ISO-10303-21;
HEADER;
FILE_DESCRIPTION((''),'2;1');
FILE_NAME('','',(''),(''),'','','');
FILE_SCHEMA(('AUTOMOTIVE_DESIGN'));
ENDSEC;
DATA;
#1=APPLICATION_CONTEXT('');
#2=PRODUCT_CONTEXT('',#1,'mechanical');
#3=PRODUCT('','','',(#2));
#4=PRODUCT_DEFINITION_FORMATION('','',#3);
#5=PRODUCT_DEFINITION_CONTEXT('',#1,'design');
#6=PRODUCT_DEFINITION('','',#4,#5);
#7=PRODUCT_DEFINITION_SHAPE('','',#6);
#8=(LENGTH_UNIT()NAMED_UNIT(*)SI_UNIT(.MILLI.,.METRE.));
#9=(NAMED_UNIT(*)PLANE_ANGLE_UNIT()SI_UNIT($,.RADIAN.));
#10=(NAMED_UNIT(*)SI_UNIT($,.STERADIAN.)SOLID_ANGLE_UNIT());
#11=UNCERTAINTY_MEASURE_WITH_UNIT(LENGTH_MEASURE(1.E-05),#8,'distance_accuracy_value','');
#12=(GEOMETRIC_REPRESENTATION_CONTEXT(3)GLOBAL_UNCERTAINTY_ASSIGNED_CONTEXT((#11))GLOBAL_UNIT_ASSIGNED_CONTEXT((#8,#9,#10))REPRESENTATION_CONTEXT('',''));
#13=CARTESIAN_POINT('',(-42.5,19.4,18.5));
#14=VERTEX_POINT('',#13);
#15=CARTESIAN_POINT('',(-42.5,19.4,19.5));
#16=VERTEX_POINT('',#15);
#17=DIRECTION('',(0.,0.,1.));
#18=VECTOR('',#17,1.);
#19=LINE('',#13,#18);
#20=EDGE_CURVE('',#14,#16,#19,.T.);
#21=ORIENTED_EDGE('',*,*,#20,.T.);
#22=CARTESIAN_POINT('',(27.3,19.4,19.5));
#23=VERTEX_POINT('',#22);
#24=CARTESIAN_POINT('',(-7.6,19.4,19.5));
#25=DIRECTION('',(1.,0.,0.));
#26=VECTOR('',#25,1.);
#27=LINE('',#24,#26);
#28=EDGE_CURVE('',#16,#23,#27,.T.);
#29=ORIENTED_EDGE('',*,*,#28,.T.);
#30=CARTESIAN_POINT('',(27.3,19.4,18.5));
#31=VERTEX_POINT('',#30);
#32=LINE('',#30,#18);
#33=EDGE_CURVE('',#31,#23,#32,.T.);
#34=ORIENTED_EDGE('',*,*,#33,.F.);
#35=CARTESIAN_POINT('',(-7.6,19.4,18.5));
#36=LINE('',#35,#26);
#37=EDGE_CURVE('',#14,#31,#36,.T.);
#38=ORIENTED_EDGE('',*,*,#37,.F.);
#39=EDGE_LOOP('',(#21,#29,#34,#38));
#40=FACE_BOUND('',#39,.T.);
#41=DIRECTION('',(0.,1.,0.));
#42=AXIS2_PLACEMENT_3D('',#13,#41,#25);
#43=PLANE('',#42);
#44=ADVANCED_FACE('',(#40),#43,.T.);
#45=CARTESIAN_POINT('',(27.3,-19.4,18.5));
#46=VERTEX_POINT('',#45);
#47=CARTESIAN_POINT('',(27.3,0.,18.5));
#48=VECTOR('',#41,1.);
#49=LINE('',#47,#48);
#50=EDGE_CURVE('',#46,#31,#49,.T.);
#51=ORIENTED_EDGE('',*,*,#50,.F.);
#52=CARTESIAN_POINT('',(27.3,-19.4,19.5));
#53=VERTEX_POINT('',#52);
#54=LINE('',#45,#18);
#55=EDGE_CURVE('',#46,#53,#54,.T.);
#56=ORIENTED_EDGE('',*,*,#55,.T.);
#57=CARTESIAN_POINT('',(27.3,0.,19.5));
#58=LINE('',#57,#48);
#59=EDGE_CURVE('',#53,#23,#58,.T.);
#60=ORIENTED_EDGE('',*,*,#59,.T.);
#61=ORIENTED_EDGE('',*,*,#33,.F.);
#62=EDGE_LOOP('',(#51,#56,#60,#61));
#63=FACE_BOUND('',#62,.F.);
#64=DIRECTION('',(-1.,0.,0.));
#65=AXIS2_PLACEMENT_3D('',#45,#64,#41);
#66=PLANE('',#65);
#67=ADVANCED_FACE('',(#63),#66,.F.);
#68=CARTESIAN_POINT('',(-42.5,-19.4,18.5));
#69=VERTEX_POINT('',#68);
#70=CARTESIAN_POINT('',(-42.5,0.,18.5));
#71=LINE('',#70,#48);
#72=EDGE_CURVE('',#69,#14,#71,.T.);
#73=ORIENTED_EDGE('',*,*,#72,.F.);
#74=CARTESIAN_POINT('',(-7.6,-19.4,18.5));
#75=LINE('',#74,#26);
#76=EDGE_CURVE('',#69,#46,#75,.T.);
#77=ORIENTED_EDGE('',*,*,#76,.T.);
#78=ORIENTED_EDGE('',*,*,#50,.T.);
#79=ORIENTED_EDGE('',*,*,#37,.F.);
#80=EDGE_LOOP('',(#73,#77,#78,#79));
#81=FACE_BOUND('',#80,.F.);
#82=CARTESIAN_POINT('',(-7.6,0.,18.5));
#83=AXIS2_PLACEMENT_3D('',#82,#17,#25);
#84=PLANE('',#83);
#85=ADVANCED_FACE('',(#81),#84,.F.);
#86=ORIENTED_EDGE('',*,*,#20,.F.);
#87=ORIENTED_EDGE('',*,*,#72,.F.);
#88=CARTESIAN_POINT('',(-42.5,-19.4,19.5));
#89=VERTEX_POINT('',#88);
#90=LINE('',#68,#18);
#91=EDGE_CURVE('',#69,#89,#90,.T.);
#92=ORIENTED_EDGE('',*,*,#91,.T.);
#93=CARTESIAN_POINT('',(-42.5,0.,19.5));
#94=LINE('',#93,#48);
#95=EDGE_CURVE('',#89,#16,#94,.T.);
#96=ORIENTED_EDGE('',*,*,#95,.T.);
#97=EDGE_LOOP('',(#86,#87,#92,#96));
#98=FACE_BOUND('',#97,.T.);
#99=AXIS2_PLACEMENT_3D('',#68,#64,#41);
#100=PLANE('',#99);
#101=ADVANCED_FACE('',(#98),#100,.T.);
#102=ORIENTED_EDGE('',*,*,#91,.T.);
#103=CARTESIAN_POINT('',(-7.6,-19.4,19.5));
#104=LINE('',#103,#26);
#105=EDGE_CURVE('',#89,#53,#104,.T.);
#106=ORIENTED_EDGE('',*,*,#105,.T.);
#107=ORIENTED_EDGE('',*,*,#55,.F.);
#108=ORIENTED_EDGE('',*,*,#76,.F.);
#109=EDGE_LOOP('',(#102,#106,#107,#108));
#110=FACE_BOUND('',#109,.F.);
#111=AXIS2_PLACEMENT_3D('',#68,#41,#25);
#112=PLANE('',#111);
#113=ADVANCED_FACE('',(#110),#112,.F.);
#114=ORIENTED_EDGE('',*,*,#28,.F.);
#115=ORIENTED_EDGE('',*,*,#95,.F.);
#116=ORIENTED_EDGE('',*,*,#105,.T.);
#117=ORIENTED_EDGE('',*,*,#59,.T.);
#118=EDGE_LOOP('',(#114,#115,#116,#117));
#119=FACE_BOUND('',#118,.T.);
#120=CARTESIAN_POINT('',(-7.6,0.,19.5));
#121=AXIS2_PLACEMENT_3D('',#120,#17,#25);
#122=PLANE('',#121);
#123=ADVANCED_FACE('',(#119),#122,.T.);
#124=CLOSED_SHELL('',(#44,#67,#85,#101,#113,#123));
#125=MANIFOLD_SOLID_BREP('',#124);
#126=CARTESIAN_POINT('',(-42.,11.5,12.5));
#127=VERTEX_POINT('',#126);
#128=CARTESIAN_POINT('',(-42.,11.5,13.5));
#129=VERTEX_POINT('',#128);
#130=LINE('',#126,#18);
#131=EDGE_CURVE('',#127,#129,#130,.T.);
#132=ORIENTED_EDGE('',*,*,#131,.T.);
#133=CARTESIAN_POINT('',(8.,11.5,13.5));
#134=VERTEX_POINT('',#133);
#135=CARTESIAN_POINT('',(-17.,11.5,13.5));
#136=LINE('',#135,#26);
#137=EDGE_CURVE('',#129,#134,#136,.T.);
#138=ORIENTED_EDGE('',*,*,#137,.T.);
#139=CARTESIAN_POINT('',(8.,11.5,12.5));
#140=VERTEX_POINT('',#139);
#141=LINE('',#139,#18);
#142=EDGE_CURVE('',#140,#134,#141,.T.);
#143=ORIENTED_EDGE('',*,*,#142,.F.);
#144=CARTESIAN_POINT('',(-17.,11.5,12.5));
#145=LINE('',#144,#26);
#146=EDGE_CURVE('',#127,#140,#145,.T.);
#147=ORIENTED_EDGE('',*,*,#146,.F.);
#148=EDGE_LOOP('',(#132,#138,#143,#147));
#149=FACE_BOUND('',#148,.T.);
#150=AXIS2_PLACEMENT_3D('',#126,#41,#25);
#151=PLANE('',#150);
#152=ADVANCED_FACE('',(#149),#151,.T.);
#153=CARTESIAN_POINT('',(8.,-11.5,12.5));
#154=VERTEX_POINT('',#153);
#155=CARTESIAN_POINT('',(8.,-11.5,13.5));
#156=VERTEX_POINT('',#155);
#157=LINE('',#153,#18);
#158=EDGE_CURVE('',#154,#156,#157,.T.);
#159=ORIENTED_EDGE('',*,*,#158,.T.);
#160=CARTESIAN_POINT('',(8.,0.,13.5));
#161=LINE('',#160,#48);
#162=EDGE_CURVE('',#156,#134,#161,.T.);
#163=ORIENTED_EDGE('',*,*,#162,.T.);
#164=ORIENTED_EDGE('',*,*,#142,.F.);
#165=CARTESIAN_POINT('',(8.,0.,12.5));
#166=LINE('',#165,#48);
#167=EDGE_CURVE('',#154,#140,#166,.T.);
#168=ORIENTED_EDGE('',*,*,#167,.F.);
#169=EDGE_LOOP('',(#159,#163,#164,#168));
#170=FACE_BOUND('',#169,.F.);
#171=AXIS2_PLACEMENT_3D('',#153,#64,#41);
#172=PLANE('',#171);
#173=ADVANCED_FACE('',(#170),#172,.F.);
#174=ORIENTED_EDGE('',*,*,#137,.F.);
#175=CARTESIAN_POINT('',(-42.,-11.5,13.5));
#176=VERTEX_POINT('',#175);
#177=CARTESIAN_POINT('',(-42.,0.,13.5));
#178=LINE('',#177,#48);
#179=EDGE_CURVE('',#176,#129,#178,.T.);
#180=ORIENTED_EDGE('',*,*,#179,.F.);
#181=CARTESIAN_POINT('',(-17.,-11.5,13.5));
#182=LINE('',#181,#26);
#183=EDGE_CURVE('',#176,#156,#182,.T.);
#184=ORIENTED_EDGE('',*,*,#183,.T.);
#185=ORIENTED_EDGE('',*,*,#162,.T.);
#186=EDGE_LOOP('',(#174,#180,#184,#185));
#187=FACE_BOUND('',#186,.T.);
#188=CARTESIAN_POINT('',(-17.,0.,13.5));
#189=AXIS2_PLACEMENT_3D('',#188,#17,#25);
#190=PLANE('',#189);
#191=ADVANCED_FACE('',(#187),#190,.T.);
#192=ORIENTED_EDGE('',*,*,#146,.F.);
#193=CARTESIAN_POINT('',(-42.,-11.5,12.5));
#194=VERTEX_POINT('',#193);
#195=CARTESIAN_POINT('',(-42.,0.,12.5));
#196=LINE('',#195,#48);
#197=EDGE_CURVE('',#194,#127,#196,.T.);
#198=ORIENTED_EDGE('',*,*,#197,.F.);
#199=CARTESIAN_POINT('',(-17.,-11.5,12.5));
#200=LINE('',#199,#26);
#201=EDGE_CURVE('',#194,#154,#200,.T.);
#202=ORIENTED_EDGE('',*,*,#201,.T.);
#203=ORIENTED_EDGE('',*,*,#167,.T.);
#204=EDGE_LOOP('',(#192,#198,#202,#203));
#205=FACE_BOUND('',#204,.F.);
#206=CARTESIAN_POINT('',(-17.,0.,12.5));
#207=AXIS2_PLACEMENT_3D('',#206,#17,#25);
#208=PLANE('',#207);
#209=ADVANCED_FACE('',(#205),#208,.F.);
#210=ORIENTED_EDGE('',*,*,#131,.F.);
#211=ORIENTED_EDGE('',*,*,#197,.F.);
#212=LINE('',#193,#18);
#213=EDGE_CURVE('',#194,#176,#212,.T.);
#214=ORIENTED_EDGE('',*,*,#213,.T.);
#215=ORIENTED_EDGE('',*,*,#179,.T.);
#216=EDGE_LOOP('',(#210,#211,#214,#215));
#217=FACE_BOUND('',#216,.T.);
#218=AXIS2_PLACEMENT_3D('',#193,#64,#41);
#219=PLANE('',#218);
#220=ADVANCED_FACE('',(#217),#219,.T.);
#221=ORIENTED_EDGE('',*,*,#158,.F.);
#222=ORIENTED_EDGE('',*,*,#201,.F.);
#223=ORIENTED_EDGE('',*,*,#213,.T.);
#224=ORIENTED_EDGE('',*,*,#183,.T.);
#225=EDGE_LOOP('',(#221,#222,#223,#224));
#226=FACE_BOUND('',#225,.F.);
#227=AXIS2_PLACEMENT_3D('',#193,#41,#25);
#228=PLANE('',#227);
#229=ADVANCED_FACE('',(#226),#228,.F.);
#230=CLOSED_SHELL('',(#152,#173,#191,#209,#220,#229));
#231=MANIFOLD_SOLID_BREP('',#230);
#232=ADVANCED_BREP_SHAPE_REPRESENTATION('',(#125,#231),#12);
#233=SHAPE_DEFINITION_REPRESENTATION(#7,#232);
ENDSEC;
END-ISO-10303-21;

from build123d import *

# Parameters (mm, degrees)
BOX122_W     = 69.8
BOX122_H     = 38.8
BOX122_DEPTH = 1
BOX084_W     = 50
BOX084_H     = 23
BOX084_DEPTH = 1


with BuildPart() as board004:
    # Box122 → Box122 (new body)
    with BuildSketch(Plane(origin=(-42.5, -19.4, 18.5), x_dir=(1, 0, 0), z_dir=(0, 0, 1))):
        with Locations((34.9, 19.4)):
            Rectangle(BOX122_W, BOX122_H)
    extrude(amount=BOX122_DEPTH)


with BuildPart() as fusion140:
    # Box084 → Box084 (new body)
    with BuildSketch(Plane(origin=(-42, -11.5, 12.5), x_dir=(1, 0, 0), z_dir=(0, 0, 1))):
        with Locations((25, 11.5)):
            Rectangle(BOX084_W, BOX084_H)
    extrude(amount=BOX084_DEPTH)

    # Fusion140: union board004
    add(board004.part)


solid = fusion140.part
